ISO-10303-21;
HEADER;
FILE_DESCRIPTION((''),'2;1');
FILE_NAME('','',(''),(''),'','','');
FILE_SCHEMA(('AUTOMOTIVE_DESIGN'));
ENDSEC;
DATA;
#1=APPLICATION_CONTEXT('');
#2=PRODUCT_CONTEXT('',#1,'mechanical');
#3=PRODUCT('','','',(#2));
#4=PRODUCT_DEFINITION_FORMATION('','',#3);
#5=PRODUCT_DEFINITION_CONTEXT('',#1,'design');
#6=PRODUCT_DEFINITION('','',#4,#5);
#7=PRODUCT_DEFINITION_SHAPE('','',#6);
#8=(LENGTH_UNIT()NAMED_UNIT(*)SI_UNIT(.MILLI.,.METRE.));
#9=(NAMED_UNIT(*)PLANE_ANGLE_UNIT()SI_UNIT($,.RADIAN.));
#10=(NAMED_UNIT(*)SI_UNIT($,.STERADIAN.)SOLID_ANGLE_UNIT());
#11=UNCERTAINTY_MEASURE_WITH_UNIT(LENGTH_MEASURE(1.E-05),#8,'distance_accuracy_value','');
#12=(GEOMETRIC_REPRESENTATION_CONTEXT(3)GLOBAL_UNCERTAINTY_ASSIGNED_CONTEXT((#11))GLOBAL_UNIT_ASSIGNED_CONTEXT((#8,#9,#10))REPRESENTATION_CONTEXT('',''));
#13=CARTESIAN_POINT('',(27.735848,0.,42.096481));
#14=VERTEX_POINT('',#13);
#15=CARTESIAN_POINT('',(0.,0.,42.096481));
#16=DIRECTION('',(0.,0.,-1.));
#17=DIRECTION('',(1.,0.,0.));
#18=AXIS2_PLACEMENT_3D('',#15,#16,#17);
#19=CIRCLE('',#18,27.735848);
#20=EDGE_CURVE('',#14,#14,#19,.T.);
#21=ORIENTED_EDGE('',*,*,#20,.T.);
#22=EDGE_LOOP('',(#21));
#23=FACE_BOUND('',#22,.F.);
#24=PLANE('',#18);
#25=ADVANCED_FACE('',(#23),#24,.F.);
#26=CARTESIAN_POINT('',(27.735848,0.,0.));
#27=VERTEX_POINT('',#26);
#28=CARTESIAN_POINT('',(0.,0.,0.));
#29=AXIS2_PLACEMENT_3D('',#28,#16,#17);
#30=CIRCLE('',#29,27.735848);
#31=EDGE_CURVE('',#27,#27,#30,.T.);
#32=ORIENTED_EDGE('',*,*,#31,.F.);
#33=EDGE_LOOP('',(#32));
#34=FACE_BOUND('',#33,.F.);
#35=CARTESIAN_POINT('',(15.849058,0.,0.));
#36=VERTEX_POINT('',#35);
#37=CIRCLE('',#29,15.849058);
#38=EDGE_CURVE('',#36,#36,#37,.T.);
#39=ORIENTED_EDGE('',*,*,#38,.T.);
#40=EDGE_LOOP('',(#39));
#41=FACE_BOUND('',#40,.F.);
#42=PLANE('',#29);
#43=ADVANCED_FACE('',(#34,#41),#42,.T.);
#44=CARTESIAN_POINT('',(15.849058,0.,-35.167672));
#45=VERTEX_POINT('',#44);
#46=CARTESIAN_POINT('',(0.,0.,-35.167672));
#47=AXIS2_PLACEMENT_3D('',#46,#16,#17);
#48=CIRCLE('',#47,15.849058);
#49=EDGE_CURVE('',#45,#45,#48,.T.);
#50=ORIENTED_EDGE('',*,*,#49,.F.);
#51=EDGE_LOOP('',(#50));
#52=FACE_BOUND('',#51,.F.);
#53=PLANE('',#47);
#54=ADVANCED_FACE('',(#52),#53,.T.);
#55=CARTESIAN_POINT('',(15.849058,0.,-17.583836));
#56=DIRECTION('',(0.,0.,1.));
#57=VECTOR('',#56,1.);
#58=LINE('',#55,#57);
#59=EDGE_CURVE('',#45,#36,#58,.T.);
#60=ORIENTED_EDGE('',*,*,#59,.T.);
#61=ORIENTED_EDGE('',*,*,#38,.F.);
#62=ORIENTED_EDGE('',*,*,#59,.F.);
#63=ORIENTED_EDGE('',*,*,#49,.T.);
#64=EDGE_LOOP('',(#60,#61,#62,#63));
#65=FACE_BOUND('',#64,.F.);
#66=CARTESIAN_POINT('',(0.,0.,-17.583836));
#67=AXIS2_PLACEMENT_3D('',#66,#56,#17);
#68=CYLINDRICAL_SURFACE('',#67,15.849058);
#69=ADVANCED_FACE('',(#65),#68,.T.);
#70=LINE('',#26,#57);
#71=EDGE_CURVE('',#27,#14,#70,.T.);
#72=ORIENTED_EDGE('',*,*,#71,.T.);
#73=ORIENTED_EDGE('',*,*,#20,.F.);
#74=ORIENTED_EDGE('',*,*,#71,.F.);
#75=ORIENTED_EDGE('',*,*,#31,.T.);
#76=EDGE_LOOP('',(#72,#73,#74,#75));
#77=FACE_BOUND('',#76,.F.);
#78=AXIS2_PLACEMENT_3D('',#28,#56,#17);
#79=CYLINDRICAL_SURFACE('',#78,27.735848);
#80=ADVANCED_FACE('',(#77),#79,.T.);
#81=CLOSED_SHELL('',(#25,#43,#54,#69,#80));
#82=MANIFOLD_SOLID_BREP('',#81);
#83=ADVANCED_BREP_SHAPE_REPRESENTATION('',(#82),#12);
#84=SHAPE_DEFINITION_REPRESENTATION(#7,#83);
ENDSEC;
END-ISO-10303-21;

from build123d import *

# Parameters (mm, degrees)
F0_W = 15.849058
F0_H = 35.167672


with BuildPart() as f1:
    # F0 (on Front) → F1 (revolve)
    with BuildSketch(Plane.XZ):
        Polygon((27.735848, 42.096481), (0, 42.096481), (0, 0), (15.849058, 0), (27.735848, 0), align=None)
        with Locations((7.924529, -17.583836)):
            Rectangle(F0_W, F0_H)
    revolve(axis=Axis((0, 0, 21.04824), (0, 0, -1)))


solid = f1.part
